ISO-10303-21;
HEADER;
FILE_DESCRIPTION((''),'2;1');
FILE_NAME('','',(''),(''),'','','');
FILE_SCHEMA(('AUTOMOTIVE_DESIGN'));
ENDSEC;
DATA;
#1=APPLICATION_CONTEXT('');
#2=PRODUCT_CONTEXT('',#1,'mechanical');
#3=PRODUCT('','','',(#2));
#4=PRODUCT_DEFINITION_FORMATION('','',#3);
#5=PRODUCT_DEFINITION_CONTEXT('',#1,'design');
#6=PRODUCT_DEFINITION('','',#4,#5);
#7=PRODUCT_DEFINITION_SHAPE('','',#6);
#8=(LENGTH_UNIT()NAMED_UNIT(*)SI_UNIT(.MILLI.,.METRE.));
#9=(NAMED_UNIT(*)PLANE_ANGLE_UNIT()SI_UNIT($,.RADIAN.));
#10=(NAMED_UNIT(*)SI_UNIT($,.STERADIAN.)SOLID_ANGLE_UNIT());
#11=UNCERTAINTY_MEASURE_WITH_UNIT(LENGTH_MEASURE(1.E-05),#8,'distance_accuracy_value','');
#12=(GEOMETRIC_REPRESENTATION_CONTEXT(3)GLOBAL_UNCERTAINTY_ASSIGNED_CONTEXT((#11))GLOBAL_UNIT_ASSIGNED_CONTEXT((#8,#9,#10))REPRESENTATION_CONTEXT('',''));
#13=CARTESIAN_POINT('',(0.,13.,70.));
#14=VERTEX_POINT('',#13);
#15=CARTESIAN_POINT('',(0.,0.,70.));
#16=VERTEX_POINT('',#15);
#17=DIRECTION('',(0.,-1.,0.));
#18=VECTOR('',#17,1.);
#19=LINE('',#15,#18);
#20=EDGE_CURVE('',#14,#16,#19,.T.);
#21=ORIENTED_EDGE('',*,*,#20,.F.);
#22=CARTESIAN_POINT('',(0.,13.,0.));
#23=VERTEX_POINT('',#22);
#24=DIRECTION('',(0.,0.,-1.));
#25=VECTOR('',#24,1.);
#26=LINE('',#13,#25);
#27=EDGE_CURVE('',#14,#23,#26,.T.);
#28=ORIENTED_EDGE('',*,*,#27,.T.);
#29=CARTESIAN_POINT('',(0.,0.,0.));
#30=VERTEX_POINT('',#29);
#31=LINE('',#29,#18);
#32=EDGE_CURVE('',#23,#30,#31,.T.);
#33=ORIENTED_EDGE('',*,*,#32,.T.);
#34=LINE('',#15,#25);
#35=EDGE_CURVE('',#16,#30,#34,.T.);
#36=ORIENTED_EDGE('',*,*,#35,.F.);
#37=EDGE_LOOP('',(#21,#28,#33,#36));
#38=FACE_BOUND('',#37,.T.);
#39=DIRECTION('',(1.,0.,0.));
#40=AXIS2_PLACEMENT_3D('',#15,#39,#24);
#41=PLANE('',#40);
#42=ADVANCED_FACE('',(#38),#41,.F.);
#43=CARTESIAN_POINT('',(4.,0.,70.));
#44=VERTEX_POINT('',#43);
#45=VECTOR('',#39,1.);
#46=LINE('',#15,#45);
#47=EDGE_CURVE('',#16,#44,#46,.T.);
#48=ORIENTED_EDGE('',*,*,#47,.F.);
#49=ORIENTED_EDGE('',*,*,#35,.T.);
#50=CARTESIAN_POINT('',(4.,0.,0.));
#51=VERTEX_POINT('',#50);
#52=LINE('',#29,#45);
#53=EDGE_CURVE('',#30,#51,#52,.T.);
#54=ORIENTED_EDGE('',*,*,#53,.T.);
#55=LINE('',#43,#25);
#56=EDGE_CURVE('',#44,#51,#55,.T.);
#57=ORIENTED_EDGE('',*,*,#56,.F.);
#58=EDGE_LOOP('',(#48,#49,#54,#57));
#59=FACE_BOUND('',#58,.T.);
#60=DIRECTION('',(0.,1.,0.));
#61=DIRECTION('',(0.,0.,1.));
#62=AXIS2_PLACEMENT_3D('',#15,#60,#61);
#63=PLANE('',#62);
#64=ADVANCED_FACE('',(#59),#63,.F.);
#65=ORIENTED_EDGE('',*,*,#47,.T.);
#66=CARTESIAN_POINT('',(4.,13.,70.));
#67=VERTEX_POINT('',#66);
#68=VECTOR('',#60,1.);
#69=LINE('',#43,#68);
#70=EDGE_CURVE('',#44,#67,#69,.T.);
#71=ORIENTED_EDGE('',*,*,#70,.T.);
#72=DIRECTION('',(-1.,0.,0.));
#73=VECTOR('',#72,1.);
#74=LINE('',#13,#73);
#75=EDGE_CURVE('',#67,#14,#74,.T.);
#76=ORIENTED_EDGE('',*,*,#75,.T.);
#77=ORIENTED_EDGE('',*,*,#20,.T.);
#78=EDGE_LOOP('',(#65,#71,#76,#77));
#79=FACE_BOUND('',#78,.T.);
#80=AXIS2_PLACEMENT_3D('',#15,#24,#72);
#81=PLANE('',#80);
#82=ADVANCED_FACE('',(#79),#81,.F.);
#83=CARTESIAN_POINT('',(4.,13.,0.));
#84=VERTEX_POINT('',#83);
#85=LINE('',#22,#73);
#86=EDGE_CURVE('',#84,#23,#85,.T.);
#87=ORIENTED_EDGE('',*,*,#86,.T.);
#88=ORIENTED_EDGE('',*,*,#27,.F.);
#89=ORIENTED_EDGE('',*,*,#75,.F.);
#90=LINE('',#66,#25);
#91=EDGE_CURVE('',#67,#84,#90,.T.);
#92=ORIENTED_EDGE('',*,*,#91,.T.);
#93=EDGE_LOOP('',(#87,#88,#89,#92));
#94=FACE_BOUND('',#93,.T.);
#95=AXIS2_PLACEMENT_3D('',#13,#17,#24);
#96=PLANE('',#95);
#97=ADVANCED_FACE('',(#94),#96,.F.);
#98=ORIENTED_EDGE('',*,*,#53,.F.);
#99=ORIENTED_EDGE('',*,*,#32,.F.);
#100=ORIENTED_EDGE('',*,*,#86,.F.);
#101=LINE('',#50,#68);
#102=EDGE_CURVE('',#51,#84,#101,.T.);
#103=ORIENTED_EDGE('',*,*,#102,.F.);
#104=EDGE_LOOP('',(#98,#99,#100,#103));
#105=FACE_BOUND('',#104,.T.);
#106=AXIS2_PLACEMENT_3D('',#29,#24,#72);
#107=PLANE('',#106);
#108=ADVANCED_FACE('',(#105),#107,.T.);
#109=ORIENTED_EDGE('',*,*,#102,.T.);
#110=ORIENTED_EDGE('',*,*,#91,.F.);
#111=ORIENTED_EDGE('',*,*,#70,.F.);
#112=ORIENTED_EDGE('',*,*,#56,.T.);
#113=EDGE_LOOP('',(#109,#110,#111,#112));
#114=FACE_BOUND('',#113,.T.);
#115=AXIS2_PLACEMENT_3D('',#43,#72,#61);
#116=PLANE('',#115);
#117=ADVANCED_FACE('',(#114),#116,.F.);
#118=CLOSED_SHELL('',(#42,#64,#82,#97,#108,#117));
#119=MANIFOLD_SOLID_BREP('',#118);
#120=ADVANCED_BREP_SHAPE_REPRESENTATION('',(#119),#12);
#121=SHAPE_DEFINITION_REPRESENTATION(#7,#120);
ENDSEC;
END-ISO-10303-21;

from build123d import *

# Parameters (mm, degrees)
SKETCH1_W           = 4
SKETCH1_H           = 13
BOSS_EXTRUDE1_DEPTH = 70


with BuildPart() as part:
    # Sketch1 → Boss-Extrude1 (new body)
    with BuildSketch(Plane.XY):
        with Locations((2, 6.5)):
            Rectangle(SKETCH1_W, SKETCH1_H)
    extrude(amount=BOSS_EXTRUDE1_DEPTH)


solid = part.part
